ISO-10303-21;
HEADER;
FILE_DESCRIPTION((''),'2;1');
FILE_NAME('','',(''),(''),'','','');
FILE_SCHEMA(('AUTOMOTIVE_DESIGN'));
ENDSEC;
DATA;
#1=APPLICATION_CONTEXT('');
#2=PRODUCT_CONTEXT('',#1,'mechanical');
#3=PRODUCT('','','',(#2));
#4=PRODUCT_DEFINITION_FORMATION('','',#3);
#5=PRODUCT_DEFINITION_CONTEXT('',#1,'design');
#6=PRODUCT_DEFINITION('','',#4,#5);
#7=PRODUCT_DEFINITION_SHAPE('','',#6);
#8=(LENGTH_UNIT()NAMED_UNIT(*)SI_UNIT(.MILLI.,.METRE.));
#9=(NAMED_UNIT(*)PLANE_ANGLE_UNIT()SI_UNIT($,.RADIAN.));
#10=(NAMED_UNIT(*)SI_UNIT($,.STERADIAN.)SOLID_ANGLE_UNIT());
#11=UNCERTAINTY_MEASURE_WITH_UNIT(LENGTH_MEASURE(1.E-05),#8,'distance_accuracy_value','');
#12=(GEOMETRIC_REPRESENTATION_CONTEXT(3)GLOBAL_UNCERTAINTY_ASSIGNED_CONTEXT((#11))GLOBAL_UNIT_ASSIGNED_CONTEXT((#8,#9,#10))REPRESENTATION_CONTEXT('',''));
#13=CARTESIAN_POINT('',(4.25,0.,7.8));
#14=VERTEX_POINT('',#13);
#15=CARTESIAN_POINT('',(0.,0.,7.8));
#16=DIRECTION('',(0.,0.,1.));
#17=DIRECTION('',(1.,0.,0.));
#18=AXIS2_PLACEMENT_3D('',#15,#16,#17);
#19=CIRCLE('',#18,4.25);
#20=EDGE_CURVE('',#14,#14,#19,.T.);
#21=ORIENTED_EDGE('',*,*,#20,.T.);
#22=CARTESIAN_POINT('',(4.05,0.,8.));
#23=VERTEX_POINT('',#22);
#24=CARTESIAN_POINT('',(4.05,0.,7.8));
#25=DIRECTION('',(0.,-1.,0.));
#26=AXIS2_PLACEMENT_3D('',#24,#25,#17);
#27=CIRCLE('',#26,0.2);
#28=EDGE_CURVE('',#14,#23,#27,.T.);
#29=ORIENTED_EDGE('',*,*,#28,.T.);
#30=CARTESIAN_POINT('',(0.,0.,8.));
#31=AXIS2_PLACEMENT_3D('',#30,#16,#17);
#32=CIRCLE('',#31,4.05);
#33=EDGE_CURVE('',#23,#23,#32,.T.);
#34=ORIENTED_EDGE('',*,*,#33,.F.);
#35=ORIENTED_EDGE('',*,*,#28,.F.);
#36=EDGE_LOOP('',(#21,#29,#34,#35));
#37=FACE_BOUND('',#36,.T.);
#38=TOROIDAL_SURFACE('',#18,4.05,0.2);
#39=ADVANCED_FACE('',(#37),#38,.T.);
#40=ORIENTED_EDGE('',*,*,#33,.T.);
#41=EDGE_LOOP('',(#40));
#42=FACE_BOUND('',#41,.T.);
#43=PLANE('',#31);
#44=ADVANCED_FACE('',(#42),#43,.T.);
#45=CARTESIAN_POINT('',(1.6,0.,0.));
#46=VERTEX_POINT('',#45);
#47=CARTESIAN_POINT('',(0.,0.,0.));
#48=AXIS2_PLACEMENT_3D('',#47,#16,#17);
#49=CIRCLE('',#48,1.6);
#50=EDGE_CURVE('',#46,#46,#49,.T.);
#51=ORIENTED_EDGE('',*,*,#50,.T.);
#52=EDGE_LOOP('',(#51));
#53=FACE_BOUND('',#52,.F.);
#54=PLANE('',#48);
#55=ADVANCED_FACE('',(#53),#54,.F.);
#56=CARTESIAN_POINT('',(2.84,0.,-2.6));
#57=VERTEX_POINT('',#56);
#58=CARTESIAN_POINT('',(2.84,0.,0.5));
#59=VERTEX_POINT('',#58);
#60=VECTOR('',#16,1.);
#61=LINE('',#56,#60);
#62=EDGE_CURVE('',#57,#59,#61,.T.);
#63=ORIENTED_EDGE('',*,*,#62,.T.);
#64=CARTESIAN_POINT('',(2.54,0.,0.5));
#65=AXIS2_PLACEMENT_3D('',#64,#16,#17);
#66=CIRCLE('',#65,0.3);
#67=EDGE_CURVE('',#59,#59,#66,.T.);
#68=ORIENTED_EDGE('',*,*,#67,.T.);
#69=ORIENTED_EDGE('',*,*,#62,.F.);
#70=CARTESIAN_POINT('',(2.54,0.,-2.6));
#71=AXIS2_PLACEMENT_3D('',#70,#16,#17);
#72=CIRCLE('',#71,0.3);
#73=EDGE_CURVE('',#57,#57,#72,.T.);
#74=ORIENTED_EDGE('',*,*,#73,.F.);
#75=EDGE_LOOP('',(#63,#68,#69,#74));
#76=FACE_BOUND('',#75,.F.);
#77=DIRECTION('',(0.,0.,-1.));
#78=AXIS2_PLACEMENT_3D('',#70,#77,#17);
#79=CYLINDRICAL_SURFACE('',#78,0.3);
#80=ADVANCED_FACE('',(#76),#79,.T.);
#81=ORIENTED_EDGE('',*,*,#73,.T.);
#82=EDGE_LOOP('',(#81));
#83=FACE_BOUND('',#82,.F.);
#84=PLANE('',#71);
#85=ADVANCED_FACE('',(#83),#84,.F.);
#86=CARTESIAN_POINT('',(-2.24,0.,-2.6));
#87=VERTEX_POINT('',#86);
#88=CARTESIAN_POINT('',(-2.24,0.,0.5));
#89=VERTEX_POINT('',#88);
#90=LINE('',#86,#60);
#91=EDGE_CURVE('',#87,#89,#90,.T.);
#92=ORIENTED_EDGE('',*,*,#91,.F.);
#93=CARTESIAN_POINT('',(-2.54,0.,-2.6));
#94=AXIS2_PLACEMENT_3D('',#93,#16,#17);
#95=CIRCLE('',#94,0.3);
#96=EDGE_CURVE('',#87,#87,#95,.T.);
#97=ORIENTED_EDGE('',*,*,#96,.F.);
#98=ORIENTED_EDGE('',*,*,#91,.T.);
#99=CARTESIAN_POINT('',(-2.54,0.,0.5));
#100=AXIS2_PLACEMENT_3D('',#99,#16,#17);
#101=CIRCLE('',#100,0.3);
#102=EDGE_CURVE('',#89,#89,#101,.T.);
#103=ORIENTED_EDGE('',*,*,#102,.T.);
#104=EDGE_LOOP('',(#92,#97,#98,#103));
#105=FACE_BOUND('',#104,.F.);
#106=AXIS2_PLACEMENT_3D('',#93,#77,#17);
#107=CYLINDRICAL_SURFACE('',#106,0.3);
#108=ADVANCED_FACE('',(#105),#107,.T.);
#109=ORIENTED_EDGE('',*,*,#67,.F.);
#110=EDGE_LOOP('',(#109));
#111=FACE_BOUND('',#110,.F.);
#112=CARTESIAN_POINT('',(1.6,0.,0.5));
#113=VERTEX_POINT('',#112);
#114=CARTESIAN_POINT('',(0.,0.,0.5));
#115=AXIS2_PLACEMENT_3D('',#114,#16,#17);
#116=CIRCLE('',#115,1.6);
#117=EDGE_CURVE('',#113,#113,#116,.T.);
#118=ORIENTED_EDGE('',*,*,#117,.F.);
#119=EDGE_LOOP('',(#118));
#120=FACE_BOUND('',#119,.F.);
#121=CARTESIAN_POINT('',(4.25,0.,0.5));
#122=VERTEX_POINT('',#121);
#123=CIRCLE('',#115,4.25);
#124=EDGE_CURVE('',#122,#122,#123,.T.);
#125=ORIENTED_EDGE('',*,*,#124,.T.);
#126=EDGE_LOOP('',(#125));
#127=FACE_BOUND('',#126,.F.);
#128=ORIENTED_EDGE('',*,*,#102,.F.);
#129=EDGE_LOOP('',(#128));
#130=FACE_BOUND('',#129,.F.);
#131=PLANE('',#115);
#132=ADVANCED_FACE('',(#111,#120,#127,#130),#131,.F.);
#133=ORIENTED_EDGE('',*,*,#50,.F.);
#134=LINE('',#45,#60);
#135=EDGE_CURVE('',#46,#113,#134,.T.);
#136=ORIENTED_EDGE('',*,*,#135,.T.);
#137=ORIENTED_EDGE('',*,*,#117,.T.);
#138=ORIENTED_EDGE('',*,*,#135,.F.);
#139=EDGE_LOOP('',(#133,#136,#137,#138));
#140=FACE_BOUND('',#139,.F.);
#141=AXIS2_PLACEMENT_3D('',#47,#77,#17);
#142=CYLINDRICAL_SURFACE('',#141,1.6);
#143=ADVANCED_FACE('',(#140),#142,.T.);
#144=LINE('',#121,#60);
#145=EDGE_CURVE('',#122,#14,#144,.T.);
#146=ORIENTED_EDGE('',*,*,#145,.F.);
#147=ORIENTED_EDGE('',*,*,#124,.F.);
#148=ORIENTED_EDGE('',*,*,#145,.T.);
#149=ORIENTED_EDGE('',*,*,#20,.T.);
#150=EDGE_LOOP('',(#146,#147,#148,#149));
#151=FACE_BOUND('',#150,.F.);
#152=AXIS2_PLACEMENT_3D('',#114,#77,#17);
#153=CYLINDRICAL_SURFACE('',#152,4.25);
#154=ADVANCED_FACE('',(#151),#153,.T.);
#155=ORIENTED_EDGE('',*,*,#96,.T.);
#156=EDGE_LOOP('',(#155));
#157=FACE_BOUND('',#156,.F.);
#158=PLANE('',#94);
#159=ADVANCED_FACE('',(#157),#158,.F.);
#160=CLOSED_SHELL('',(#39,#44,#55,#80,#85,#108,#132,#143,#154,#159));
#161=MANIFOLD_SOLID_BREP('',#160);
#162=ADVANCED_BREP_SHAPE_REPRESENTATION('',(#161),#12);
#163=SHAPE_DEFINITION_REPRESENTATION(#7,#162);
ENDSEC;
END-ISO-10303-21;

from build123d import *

# Parameters (mm, degrees)
CYLINDER002_R     = 0.3
CYLINDER002_DEPTH = 3.1
CYLINDER003_R     = 0.3
CYLINDER003_DEPTH = 3.1
CYLINDER001_R     = 1.6
CYLINDER001_DEPTH = 0.5
CYLINDER_R        = 4.25
CYLINDER_DEPTH    = 7.5
FILLET_R          = 0.2


with BuildPart() as pin1:
    # Cylinder002 → Cylinder002 (new body)
    with BuildSketch(Plane(origin=(-2.54, 0, -2.6), x_dir=(1, 0, 0), z_dir=(0, 0, 1))):
        Circle(CYLINDER002_R)
    extrude(amount=CYLINDER002_DEPTH)


with BuildPart() as pin2:
    # Cylinder003 → Cylinder003 (new body)
    with BuildSketch(Plane(origin=(2.54, 0, -2.6), x_dir=(1, 0, 0), z_dir=(0, 0, 1))):
        Circle(CYLINDER003_R)
    extrude(amount=CYLINDER003_DEPTH)


with BuildPart() as fuss:
    # Cylinder001 → Cylinder001 (new body)
    with BuildSketch(Plane.XY):
        Circle(CYLINDER001_R)
    extrude(amount=CYLINDER001_DEPTH)


with BuildPart() as fuse_tr5:
    # Cylinder → Cylinder (new body)
    with BuildSketch(Plane.XY.offset(0.5)):
        Circle(CYLINDER_R)
    extrude(amount=CYLINDER_DEPTH)

    # Fusion: union Fuss
    add(fuss.part)

    # Fillet
    fillet_edges = [fuse_tr5.edges().sort_by_distance(p)[0] for p in [
        (-4.25, 0, 8),
    ]]
    fillet(fillet_edges, radius=FILLET_R)

    # Fusion001: union pin1, pin2
    add(pin1.part)
    add(pin2.part)


solid = fuse_tr5.part
